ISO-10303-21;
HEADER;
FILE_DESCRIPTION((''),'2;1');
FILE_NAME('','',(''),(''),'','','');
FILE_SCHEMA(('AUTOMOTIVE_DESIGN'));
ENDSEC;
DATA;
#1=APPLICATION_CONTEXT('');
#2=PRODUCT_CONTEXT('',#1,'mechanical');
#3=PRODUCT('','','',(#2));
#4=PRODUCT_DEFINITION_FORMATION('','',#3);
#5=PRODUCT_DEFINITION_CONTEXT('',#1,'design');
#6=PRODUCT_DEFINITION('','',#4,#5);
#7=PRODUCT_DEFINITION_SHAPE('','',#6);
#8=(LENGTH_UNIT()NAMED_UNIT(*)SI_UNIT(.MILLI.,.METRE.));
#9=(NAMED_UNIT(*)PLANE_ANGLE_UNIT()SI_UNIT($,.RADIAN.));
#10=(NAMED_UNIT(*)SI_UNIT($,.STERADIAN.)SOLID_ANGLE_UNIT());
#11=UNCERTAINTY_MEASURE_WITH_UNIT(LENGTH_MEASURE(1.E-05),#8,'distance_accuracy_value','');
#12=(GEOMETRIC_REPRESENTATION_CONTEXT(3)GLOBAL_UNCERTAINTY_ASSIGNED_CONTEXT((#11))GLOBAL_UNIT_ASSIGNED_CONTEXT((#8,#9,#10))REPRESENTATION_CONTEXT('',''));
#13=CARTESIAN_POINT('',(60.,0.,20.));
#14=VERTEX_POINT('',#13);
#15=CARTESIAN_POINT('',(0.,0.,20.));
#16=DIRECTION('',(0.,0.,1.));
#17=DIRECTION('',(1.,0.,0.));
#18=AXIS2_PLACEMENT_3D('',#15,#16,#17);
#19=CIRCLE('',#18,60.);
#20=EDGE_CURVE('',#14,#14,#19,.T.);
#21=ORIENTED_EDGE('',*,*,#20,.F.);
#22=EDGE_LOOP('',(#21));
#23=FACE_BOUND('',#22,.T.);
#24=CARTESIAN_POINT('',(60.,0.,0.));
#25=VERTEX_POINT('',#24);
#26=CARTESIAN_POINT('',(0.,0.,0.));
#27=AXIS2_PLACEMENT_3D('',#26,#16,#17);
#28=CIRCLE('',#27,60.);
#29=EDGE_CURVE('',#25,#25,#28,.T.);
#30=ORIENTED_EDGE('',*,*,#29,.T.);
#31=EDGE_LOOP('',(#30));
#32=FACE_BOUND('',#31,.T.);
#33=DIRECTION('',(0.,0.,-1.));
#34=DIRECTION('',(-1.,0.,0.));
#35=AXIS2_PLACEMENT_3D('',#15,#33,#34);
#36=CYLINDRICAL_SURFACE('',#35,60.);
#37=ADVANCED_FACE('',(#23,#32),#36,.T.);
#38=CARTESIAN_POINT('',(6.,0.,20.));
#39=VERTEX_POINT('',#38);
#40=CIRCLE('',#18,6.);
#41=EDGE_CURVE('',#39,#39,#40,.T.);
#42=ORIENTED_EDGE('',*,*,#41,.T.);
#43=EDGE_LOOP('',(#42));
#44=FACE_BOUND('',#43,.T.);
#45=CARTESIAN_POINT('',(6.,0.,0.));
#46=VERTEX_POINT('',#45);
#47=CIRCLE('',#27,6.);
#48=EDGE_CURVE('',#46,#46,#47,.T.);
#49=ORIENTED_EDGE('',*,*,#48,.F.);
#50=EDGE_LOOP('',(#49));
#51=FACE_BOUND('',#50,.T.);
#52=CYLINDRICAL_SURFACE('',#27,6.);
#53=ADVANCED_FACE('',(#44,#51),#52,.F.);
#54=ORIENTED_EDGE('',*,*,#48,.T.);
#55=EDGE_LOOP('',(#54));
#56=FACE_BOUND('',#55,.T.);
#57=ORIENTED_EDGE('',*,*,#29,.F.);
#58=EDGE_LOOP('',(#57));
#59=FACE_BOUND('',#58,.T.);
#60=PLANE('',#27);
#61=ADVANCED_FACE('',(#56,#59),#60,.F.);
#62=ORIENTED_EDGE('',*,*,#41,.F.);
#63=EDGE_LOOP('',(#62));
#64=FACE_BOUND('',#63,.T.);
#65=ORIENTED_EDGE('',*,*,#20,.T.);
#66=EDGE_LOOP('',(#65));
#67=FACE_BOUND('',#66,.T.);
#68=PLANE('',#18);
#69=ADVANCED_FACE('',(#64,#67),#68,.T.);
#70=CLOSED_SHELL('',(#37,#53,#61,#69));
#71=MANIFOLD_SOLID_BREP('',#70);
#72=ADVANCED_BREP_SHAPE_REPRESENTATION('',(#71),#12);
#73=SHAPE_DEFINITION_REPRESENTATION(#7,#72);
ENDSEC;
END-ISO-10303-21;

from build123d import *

# Parameters (mm, degrees)
SKETCH1_R           = 60
BOSS_EXTRUDE1_DEPTH = 20
SKETCH2_R           = 6
CUT_EXTRUDE1_DEPTH  = 21


with BuildPart() as part:
    # Sketch1 → Boss-Extrude1 (new body)
    with BuildSketch(Plane.XY):
        Circle(SKETCH1_R)
    extrude(amount=BOSS_EXTRUDE1_DEPTH)

    # Sketch2 → Cut-Extrude1 (cut, through all)
    with BuildSketch(Plane.XY.offset(20)):
        Circle(SKETCH2_R)
    extrude(amount=-CUT_EXTRUDE1_DEPTH, mode=Mode.SUBTRACT)


solid = part.part
